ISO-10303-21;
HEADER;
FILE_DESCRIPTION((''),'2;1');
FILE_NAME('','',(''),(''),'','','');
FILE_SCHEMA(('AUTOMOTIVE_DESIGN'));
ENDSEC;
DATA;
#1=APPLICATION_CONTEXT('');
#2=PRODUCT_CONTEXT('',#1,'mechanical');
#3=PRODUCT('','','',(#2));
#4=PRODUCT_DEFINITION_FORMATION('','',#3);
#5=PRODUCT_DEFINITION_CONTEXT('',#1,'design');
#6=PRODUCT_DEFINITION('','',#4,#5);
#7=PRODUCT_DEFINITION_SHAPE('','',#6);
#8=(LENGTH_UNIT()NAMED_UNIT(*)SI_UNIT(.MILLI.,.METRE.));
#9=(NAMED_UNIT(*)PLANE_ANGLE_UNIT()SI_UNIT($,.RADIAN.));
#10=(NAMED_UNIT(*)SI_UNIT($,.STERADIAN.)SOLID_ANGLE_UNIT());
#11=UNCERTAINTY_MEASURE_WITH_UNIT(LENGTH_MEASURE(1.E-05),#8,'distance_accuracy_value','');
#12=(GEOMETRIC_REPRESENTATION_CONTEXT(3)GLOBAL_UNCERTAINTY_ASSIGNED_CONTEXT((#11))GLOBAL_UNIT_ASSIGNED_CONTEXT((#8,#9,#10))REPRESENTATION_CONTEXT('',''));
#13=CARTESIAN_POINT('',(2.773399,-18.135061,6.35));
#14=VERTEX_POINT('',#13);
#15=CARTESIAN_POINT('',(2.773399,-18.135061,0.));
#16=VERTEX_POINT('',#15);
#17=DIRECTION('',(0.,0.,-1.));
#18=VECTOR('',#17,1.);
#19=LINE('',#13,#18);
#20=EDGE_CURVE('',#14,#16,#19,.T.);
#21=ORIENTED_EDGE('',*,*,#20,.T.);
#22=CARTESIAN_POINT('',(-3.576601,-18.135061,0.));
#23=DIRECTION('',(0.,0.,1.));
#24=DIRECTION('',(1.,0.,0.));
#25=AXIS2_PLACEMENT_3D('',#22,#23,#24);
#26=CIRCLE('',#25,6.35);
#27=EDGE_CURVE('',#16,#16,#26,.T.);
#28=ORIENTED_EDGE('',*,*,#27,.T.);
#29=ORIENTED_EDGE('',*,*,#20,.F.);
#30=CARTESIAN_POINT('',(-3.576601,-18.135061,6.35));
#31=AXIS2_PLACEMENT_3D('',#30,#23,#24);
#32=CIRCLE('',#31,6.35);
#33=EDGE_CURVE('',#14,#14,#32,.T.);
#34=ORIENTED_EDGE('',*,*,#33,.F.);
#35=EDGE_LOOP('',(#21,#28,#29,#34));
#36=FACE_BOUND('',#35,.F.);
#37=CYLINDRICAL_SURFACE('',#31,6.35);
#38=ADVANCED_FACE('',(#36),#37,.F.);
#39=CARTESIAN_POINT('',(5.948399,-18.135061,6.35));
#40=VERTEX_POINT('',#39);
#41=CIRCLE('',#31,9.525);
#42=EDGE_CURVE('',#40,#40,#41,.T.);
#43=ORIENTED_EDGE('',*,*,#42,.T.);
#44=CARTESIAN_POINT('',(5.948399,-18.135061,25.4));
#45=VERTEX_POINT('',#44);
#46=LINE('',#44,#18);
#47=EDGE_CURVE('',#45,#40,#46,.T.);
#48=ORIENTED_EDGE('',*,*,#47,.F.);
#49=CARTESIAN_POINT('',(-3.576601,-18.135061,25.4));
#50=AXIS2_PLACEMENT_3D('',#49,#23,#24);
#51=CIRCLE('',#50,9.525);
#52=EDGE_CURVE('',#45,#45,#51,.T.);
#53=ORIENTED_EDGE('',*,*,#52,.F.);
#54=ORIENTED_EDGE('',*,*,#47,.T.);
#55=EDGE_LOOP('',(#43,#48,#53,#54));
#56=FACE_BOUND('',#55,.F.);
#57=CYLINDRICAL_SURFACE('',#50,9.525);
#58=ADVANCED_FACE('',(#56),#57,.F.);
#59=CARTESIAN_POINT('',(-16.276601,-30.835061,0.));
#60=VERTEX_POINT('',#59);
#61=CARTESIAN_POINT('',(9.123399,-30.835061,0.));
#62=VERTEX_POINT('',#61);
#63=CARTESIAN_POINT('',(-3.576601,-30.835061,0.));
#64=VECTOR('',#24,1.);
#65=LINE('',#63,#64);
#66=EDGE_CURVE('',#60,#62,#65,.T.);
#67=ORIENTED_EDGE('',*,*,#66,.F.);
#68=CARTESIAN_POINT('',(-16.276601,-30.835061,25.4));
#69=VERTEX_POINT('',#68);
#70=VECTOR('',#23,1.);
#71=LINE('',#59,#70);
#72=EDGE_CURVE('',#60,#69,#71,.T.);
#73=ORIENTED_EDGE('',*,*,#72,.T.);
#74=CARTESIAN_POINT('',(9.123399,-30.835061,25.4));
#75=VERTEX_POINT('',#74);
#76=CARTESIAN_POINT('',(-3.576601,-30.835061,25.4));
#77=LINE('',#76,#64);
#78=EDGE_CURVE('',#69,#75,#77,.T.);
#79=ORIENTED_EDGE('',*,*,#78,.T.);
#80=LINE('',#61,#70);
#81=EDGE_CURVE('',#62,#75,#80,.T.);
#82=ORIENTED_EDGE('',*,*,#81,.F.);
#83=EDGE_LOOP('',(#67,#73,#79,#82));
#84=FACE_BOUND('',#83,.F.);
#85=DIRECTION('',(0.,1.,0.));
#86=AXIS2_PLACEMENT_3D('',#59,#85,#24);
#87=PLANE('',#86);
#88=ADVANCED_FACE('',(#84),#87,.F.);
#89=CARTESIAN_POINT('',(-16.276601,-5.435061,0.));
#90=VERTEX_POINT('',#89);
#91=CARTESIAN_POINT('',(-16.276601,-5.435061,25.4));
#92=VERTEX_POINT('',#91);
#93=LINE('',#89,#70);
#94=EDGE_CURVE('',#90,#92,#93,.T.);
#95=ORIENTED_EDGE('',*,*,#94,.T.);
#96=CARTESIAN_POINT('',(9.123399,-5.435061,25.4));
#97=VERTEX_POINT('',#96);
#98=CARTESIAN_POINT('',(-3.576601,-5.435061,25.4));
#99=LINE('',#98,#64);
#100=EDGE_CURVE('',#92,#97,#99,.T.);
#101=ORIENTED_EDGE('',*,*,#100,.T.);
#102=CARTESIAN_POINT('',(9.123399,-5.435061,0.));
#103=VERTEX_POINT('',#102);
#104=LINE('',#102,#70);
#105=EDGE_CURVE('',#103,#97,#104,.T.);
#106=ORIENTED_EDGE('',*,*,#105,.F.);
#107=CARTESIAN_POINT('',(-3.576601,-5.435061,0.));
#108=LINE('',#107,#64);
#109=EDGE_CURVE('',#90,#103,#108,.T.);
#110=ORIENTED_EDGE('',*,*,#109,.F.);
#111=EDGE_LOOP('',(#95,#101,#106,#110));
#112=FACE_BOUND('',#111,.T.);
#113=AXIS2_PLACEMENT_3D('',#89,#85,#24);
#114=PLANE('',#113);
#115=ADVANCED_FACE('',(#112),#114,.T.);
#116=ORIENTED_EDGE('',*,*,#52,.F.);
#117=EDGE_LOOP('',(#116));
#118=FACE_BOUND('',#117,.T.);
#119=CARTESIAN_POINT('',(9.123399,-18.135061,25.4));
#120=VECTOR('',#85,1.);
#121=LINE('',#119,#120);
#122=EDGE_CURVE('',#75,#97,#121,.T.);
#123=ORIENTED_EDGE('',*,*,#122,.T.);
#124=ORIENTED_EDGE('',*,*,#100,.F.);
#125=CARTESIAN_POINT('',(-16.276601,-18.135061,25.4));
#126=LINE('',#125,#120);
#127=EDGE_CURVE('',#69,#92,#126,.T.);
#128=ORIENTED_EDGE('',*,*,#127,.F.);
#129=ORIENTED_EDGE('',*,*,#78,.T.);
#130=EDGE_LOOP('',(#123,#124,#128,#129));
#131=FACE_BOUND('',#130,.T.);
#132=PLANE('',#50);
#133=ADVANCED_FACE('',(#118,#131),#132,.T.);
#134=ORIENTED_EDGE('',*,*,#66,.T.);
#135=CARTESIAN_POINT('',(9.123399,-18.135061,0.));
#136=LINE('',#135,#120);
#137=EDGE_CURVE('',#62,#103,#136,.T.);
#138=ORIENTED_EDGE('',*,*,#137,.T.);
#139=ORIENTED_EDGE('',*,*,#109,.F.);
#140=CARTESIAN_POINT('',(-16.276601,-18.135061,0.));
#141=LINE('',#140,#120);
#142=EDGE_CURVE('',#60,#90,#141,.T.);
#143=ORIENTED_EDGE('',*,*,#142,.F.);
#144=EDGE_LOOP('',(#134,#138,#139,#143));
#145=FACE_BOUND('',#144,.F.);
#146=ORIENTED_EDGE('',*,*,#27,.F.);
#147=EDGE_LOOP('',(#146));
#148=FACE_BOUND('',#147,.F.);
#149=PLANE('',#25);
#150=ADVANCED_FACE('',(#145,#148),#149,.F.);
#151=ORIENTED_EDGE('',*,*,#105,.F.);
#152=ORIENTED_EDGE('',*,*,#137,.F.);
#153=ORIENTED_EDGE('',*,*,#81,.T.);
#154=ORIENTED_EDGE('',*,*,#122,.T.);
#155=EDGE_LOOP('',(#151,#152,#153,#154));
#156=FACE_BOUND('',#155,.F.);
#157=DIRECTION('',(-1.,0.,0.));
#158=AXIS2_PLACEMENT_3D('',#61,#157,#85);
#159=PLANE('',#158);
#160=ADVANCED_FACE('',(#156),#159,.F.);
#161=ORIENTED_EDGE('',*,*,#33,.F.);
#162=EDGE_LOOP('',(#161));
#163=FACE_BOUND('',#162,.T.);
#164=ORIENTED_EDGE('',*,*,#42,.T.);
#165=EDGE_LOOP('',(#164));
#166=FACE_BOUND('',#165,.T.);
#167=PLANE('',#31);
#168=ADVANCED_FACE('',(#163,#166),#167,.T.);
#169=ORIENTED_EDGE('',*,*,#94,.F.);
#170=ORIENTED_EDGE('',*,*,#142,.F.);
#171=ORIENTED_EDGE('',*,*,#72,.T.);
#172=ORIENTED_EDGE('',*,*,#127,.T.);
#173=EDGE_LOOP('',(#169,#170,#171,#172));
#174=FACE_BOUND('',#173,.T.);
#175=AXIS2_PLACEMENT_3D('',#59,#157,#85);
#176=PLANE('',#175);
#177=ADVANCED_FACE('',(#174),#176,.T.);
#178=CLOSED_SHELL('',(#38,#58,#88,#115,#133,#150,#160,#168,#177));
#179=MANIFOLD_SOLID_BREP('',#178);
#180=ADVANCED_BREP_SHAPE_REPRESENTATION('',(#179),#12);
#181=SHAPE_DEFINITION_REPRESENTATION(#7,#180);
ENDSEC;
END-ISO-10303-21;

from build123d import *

# Parameters (mm, degrees)
F0_W     = 25.4
F0_H     = 25.4
F1_DEPTH = 25.4
F2_R     = 9.525
F3_DEPTH = 19.05
F4_R     = 6.35
F5_DEPTH = 6.351


with BuildPart() as f1:
    # F0 (on Top) → F1 (new body)
    with BuildSketch(Plane.XY):
        with Locations((-3.576601, -18.135061)):
            Rectangle(F0_W, F0_H)
    extrude(amount=F1_DEPTH)

    # F2 (on face) → F3 (cut)
    with BuildSketch(Plane.XY.offset(25.4)):
        with Locations((-3.576601, -18.135061)):
            Circle(F2_R)
    extrude(amount=-F3_DEPTH, mode=Mode.SUBTRACT)

    # F4 (on face) → F5 (cut, through all)
    with BuildSketch(Plane.XY.offset(6.35)):
        with Locations((-3.576601, -18.135061)):
            Circle(F4_R)
    extrude(amount=-F5_DEPTH, mode=Mode.SUBTRACT)


solid = f1.part
